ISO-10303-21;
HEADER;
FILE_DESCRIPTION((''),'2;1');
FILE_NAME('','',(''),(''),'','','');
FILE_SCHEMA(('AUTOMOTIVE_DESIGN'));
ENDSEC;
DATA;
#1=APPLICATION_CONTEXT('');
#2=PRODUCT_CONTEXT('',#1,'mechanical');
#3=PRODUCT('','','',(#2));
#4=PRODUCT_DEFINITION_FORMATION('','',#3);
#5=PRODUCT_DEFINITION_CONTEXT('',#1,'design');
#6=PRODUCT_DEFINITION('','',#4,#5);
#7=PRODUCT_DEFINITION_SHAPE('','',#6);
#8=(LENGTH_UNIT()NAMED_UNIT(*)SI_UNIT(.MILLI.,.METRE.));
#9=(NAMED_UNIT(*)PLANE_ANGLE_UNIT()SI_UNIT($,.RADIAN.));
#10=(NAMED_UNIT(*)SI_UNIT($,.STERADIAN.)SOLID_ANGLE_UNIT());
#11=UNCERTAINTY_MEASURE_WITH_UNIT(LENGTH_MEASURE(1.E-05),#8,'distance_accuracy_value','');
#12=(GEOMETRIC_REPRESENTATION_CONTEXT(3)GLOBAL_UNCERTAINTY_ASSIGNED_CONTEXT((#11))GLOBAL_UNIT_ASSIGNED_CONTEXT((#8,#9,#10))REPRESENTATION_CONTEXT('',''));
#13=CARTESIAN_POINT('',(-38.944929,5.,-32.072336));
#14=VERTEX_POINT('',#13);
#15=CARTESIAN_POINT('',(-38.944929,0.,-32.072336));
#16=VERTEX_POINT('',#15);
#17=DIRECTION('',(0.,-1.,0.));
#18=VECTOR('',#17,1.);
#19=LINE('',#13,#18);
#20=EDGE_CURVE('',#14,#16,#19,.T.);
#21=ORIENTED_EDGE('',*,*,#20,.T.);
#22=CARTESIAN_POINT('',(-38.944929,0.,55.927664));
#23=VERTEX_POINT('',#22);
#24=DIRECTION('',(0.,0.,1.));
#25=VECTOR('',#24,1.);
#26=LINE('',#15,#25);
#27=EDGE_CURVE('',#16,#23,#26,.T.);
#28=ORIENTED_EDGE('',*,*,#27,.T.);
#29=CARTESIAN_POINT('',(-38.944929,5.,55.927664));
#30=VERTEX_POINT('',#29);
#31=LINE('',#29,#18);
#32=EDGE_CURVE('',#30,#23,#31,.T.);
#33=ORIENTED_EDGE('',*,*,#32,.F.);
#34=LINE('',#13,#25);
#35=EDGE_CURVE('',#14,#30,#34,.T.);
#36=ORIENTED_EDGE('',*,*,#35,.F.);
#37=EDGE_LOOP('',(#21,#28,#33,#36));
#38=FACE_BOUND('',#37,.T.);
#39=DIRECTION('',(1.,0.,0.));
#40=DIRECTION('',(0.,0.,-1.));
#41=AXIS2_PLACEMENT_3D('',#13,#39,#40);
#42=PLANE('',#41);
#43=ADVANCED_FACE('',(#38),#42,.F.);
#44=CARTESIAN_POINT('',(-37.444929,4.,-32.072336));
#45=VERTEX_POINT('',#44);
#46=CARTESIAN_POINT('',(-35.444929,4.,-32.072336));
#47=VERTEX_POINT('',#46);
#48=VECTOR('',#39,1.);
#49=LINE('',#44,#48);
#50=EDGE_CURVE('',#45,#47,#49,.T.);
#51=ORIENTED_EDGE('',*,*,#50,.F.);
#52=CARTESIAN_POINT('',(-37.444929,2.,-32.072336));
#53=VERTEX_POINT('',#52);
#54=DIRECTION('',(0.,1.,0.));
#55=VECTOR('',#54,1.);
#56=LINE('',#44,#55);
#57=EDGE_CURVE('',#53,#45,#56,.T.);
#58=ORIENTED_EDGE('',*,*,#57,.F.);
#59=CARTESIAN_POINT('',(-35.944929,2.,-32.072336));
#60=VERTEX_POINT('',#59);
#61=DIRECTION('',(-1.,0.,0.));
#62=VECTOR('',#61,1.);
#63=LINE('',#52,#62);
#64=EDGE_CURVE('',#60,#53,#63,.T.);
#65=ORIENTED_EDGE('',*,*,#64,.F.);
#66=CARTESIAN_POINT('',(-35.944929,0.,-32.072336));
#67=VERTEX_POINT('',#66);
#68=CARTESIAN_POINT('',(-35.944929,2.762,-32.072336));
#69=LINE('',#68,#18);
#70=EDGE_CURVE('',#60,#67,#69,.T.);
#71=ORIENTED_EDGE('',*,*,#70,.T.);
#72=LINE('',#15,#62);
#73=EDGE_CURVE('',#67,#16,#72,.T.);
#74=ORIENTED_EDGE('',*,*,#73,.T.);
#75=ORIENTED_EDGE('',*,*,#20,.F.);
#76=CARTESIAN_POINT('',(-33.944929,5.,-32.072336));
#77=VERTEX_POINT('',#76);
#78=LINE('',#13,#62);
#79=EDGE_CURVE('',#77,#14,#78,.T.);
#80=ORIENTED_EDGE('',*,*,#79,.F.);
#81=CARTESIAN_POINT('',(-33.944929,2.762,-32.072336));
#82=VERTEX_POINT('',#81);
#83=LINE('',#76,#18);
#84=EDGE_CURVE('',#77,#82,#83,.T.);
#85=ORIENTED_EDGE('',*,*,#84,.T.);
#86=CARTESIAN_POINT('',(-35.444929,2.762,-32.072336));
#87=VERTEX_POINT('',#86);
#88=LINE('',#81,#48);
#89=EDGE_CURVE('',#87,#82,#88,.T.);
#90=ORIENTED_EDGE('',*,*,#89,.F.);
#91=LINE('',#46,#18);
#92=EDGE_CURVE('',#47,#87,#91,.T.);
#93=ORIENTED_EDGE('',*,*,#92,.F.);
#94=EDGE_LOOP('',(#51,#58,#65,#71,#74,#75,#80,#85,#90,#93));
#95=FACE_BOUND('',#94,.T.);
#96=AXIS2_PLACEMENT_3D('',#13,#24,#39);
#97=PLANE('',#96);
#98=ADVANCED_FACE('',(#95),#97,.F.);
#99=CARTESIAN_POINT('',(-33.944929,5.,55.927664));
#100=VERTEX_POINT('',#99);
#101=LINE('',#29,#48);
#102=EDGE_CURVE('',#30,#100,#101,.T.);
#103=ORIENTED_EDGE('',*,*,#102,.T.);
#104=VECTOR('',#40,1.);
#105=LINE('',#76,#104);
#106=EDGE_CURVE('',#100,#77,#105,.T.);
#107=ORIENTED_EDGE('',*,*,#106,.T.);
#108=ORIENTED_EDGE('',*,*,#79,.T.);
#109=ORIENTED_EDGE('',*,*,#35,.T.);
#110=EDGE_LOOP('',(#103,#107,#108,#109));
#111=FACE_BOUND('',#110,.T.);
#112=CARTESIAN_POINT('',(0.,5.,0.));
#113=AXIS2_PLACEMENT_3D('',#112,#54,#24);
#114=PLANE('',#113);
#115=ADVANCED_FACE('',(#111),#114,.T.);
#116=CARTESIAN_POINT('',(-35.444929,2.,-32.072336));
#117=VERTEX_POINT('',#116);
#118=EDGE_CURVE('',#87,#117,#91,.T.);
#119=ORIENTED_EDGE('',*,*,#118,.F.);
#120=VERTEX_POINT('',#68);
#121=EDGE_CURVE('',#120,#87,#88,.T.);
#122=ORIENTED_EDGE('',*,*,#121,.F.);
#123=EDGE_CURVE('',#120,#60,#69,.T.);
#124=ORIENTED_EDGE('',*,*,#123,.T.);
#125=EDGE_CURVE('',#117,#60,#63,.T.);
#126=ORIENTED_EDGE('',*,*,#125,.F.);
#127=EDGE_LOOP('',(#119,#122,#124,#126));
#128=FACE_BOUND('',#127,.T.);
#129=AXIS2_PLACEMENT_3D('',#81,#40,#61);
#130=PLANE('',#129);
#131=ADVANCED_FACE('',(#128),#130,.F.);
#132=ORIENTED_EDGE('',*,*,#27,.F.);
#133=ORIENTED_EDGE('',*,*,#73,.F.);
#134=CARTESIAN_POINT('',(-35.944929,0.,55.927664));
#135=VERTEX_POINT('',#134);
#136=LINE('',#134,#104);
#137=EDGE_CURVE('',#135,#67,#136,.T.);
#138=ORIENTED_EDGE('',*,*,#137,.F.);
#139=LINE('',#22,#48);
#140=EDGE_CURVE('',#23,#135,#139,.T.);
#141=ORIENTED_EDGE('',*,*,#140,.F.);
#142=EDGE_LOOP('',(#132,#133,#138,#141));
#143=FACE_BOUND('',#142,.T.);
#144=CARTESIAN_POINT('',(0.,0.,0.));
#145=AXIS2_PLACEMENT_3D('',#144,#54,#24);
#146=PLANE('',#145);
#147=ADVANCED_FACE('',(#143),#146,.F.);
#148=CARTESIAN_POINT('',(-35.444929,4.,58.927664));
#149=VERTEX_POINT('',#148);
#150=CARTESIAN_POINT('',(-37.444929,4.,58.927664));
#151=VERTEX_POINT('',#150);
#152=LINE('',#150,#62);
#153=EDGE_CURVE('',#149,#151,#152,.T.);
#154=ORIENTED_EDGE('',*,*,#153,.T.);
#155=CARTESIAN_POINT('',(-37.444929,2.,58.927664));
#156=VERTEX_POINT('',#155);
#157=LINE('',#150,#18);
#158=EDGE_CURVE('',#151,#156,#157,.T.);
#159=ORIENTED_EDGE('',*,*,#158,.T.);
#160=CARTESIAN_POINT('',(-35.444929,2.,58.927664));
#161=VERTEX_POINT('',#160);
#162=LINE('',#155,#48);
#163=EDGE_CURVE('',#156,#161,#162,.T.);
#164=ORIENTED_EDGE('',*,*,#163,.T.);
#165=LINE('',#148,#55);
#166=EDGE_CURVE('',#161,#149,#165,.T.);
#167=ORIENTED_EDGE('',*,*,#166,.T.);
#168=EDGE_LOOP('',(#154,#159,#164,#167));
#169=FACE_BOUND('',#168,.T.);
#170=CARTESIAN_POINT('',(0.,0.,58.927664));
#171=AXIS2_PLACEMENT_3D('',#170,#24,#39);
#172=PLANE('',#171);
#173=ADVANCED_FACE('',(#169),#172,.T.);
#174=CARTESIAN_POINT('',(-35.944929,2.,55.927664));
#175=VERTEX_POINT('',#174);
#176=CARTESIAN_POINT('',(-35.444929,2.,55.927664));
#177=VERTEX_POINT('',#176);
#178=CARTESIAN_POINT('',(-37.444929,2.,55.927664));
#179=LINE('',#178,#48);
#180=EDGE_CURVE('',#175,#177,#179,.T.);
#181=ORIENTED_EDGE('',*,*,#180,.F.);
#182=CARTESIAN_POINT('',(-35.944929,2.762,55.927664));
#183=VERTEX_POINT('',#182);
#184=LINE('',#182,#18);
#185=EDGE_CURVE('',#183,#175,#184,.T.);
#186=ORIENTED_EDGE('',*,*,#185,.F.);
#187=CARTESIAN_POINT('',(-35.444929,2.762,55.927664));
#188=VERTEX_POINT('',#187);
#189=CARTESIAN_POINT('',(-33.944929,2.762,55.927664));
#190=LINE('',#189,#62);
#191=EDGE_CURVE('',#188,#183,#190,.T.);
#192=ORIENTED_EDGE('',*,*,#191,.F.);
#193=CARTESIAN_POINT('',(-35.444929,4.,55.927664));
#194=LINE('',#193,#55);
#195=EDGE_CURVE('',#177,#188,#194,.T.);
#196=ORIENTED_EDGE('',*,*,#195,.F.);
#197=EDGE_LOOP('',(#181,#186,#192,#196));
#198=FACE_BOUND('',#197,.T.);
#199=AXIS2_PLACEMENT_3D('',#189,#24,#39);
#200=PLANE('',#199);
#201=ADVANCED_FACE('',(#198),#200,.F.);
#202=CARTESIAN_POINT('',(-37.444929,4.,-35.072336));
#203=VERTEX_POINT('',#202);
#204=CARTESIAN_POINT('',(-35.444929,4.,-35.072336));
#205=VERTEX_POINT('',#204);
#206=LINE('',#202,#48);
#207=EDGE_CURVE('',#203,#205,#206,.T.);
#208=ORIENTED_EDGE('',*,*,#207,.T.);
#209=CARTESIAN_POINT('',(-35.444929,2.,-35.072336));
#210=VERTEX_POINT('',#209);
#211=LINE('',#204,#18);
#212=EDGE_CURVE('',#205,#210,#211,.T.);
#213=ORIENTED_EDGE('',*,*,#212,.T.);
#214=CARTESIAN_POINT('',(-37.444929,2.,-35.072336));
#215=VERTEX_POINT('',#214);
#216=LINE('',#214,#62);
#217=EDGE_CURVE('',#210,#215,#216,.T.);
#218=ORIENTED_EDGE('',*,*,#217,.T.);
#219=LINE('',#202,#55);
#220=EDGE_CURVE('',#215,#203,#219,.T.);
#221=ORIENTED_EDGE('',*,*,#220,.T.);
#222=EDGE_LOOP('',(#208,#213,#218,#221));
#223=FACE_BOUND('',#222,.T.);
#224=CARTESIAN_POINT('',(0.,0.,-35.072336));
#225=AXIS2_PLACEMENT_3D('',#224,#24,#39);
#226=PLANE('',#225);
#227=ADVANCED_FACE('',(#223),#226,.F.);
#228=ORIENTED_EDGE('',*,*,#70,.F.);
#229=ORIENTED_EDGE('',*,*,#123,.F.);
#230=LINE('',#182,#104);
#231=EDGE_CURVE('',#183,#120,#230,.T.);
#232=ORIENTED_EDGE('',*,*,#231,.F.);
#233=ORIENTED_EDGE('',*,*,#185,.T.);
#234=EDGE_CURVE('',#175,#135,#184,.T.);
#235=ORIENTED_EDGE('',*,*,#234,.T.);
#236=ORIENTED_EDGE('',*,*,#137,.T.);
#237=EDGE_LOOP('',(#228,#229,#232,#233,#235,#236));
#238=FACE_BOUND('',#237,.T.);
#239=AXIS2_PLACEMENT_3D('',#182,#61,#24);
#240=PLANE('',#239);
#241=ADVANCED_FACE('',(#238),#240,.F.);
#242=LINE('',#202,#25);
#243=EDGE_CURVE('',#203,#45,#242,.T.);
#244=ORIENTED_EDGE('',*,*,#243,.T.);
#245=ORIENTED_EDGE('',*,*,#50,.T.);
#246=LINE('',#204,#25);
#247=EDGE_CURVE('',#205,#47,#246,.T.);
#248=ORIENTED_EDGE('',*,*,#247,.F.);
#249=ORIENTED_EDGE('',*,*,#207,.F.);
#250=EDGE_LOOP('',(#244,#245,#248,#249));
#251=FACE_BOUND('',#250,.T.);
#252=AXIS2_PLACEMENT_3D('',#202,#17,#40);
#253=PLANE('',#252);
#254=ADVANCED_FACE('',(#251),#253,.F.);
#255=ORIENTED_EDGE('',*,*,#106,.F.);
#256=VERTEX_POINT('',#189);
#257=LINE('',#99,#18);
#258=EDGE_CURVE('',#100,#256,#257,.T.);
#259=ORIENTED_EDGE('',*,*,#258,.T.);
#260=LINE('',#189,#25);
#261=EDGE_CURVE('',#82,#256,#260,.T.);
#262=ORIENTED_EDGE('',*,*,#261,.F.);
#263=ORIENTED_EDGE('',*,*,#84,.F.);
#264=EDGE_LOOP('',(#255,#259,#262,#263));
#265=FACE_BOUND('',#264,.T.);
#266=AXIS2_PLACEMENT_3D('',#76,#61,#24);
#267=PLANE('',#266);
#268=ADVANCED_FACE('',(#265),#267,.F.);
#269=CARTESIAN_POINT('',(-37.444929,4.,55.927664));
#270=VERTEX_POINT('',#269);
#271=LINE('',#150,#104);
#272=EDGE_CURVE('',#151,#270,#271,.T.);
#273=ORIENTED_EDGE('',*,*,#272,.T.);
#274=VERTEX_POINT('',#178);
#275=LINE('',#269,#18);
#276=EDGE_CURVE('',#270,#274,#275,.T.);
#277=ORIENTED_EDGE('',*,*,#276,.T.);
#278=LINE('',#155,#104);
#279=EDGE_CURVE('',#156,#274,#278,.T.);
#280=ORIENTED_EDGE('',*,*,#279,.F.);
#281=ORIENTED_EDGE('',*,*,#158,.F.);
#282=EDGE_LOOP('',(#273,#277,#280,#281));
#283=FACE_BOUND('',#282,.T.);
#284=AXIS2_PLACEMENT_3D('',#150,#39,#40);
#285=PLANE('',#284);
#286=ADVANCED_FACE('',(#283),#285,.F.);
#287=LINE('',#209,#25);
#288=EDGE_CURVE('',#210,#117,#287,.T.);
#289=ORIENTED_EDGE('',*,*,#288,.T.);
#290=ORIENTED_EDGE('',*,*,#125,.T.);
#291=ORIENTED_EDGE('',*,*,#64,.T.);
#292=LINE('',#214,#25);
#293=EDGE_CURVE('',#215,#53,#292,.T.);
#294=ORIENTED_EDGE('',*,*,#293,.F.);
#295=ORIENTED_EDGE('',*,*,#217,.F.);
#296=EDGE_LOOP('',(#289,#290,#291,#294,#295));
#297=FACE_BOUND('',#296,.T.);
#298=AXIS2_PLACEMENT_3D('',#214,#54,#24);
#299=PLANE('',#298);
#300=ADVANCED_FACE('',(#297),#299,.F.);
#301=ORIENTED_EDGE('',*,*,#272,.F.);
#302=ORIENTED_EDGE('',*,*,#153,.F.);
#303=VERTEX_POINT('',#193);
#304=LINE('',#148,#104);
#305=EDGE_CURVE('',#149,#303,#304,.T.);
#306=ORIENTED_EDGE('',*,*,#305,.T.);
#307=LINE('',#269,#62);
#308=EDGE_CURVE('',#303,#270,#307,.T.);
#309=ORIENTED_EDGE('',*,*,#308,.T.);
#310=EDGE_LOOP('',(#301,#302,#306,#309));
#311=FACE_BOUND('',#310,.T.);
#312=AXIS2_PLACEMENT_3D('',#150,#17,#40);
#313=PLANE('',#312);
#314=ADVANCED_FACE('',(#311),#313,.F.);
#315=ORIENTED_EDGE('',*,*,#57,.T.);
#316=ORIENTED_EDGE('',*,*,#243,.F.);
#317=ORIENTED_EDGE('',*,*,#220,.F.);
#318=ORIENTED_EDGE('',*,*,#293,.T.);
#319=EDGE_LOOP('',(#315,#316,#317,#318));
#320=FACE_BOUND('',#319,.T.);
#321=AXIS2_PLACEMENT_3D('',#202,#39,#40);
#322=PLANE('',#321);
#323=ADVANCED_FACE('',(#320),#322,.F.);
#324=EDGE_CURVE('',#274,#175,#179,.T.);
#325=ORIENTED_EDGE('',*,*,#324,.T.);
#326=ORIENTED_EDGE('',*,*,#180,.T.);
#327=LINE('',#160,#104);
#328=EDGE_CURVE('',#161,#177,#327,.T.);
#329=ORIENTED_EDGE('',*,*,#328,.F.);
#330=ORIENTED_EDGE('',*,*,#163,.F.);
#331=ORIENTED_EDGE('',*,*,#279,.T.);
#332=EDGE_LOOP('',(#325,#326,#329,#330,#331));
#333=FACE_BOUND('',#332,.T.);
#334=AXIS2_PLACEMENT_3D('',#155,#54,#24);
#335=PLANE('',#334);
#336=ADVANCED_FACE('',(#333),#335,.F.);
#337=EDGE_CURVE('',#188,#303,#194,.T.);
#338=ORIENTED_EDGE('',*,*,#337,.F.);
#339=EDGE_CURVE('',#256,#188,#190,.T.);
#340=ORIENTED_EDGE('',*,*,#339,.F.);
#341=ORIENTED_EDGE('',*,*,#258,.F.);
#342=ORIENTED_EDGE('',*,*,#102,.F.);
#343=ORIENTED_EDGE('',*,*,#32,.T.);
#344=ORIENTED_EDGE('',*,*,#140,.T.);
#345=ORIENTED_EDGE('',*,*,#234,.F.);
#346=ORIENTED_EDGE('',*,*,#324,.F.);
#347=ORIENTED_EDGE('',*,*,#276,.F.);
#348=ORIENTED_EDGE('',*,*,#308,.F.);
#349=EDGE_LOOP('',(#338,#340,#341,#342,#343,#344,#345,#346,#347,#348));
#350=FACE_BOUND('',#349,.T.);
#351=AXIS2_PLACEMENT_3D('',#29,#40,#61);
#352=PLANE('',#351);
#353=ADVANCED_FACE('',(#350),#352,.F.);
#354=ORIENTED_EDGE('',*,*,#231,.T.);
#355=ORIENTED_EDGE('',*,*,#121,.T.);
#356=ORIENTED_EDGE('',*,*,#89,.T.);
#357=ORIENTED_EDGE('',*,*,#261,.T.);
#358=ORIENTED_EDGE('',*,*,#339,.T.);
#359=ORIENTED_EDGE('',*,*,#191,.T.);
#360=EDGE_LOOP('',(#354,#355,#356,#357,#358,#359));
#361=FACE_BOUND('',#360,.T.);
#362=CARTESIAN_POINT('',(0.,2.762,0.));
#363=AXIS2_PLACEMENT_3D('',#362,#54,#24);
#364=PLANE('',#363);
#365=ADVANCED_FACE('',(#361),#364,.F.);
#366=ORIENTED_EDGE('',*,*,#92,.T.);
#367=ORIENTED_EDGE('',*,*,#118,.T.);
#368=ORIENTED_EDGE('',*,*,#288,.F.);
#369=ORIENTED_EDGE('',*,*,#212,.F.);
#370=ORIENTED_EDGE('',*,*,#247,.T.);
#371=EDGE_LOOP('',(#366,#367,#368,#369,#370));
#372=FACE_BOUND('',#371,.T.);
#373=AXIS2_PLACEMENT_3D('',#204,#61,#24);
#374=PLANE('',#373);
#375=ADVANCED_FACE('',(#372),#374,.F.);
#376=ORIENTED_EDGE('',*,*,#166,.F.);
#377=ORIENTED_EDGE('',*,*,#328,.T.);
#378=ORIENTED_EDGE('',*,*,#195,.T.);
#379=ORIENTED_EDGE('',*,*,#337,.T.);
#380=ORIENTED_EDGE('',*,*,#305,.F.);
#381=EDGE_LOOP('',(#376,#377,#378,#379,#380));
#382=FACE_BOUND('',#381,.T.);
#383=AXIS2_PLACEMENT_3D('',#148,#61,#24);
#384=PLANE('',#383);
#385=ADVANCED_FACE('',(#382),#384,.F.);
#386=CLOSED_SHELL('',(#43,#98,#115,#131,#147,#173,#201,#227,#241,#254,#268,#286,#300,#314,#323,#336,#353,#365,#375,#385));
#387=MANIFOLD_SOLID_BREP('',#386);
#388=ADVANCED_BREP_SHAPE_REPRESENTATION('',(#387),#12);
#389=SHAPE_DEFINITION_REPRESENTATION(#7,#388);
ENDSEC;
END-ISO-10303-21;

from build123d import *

# Parameters (mm, degrees)
SKETCH2_W           = 5
SKETCH2_H           = 88
BOSS_EXTRUDE1_DEPTH = 5
SKETCH6_W           = 2
SKETCH6_H           = 2
BOSS_EXTRUDE4_DEPTH = 3
SKETCH4_W           = 2
SKETCH4_H           = 2
BOSS_EXTRUDE3_DEPTH = 3
SKETCH5_W           = 2
SKETCH5_H           = 88
CUT_EXTRUDE2_DEPTH  = 2.762


with BuildPart() as part:
    # Sketch2 → Boss-Extrude1 (new body)
    with BuildSketch(Plane(origin=(0, 0, 0), x_dir=(1, 0, 0), z_dir=(0, 1, 0))):
        with Locations((-36.444928995, -11.927663992)):
            Rectangle(SKETCH2_W, SKETCH2_H)
    extrude(amount=BOSS_EXTRUDE1_DEPTH)

    # Sketch6 → Boss-Extrude4 (add)
    with BuildSketch(Plane.XY.offset(55.927663992)):
        with Locations((-36.444928995, 3)):
            Rectangle(SKETCH6_W, SKETCH6_H)
    extrude(amount=BOSS_EXTRUDE4_DEPTH)

    # Sketch4 → Boss-Extrude3 (add)
    with BuildSketch(Plane(origin=(0, 0, -32.072336008), x_dir=(-1, 0, 0), z_dir=(0, 0, -1))):
        with Locations((36.444928995, 3)):
            Rectangle(SKETCH4_W, SKETCH4_H)
    extrude(amount=BOSS_EXTRUDE3_DEPTH)

    # Sketch5 → Cut-Extrude2 (cut)
    with BuildSketch(Plane.XZ):
        with Locations((-34.944928995, 11.927663992)):
            Rectangle(SKETCH5_W, SKETCH5_H)
    extrude(amount=-CUT_EXTRUDE2_DEPTH, mode=Mode.SUBTRACT)


solid = part.part
